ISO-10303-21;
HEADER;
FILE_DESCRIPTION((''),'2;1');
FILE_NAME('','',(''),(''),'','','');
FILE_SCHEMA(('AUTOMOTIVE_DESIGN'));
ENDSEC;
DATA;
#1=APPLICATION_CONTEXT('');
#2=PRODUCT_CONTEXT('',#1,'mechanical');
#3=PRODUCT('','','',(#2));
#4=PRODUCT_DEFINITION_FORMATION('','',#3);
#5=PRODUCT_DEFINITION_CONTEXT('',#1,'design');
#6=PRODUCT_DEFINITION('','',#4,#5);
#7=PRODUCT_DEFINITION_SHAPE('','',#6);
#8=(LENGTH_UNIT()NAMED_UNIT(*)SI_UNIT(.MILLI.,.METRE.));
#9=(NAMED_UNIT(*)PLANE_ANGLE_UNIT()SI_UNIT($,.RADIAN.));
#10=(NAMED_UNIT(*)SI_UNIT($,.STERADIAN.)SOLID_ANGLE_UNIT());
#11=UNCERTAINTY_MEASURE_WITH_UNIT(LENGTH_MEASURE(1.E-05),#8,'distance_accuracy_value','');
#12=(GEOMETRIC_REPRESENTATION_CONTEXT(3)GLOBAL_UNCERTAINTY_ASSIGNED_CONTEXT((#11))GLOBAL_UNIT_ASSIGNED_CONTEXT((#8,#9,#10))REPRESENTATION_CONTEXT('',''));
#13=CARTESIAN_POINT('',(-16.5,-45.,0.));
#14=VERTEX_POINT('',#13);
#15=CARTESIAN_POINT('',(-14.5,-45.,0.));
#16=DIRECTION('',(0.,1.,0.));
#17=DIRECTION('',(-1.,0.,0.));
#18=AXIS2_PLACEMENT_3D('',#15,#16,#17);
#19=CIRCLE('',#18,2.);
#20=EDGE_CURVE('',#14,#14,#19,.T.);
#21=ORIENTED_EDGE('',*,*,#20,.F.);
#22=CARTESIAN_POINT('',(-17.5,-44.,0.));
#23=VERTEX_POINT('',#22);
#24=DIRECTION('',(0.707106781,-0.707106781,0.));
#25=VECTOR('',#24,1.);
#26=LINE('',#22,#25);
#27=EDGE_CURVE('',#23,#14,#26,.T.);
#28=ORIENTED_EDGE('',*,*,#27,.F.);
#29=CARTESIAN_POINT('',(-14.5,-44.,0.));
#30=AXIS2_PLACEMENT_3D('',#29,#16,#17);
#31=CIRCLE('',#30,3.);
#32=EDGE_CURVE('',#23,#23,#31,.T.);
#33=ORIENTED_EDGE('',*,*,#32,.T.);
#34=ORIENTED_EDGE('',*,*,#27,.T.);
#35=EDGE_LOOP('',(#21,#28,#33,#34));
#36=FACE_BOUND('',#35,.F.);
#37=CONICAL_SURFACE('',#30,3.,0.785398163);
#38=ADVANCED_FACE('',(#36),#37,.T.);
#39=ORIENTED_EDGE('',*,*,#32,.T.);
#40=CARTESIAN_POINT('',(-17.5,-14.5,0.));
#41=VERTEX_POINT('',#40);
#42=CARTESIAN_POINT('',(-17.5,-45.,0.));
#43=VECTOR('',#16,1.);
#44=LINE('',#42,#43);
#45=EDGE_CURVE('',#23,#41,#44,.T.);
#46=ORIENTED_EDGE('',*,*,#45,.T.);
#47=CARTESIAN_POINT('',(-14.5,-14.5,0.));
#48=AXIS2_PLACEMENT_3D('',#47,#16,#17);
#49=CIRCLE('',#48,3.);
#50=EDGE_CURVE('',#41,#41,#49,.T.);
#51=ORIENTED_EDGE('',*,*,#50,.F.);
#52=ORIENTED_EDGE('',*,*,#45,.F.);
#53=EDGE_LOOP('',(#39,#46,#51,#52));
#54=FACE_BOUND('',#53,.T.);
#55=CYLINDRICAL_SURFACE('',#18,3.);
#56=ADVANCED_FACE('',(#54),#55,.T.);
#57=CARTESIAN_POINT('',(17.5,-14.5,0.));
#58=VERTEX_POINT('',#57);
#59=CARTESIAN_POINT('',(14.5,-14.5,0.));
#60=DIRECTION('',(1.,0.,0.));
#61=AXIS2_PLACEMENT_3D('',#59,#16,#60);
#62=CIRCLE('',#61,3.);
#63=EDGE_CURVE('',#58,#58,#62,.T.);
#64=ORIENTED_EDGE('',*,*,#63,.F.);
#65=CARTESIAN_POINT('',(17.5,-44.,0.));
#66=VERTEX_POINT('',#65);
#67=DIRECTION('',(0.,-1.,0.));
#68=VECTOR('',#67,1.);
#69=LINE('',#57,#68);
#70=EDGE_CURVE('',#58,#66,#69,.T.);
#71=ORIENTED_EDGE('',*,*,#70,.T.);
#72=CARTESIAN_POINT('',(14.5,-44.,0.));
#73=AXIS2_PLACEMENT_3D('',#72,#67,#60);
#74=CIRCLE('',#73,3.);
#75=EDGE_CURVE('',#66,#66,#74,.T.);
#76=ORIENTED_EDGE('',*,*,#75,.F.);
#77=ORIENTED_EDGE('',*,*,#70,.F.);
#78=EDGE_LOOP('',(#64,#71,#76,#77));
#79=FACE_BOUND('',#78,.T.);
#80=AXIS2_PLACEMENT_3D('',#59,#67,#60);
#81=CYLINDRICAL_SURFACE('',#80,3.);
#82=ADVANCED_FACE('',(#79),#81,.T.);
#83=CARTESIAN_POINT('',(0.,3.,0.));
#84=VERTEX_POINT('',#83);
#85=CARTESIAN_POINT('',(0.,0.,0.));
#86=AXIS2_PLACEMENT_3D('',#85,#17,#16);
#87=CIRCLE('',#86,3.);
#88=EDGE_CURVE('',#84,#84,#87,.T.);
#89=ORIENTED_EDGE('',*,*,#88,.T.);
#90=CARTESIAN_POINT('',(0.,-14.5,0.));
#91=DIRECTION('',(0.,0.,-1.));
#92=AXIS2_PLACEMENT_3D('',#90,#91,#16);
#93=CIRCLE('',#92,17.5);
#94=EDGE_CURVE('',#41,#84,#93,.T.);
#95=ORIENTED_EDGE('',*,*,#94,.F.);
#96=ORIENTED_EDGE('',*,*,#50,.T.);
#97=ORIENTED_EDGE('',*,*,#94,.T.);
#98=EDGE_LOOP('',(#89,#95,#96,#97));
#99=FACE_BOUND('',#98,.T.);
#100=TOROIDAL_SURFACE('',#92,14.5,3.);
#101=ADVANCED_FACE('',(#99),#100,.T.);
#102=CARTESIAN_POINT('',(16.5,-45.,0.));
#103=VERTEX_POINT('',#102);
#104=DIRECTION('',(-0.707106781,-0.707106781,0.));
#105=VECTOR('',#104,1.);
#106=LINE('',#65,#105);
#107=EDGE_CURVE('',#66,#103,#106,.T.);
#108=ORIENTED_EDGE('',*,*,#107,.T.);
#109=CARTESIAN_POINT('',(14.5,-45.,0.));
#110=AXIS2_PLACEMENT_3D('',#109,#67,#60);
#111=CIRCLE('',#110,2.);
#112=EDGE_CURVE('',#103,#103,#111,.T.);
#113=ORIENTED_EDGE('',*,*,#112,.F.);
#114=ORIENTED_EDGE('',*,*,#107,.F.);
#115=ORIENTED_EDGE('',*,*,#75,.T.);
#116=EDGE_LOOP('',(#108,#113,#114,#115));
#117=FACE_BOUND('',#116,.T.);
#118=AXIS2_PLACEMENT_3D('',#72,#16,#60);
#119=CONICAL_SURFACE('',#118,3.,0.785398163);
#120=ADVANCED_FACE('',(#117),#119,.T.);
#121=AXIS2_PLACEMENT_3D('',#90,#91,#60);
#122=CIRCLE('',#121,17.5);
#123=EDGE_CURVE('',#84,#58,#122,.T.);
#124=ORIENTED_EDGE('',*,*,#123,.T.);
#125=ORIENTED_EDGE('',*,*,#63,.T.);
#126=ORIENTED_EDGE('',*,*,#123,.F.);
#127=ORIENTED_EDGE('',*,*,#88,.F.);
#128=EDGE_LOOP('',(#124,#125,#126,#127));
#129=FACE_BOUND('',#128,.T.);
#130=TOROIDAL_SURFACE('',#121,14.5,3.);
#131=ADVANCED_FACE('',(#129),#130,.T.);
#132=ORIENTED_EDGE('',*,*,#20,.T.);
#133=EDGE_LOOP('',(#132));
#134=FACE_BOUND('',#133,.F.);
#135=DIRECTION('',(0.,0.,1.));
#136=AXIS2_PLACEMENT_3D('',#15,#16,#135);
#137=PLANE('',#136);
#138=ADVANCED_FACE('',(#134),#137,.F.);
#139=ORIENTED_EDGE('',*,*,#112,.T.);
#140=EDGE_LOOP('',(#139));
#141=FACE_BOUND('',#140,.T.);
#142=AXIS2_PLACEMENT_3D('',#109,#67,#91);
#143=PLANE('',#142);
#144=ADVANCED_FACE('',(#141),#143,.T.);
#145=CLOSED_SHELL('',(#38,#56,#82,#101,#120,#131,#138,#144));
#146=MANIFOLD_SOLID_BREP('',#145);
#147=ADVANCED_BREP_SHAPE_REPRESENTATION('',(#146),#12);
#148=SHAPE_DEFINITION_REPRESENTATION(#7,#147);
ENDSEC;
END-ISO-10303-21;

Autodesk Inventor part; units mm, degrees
ref_plane "YZ Plane" through (0, 0, 0) normal (1, 0, 0) x (0, 1, 0)
ref_plane "XZ Plane" through (0, 0, 0) normal (0, 1, 0) x (-1, 0, 0)
ref_plane "XY Plane" through (0, 0, 0) normal (0, 0, 1) x (1, 0, 0)
sketch "Náčrt5" plane through (0, 0, 0) normal (1, 0, 0) x (0, 1, 0)
  circle A0 centre (0, 0) radius 3
  dimension "d23" = 6
sketch "Náčrt6" plane through (0, 0, 0) normal (0, 0, 1) x (1, 0, 0)
  line L0 (-14.5, -45) -> (-14.5, -14.5)
  line L1 (0, 0) -> (0, 0)
  line L2 (14.5, -14.5) -> (14.5, -45)
  line L3 (-14.5, -45) -> (14.5, -45) construction
  arc A0 (0, 0) -> (-14.5, -14.5) centre (0, -14.5) ccw
  arc A1 (14.5, -14.5) -> (0, 0) centre (0, -14.5) ccw
  point P0 (0, 0)
  point P1 (14.5, 0)
  point P2 (0, 0)
  dimension "d46" = 29
  dimension "d47" = 45
  dimension "d48" = 14.5
sweep "Tažení4" add profiles "Náčrt5" path "Náčrt6"
chamfer "Zkosení4" distance 1 angle 45 5 edges at (-11.5, -45, 0) (-11.5, -14.5, 0) (0, -3, 0) (11.5, -14.5, 0) (11.5, -45, 0)
equation "\"d48\" = 0.5 * d46"
properties part number "DD_KVD_002_14" material "Nerezová ocel"
